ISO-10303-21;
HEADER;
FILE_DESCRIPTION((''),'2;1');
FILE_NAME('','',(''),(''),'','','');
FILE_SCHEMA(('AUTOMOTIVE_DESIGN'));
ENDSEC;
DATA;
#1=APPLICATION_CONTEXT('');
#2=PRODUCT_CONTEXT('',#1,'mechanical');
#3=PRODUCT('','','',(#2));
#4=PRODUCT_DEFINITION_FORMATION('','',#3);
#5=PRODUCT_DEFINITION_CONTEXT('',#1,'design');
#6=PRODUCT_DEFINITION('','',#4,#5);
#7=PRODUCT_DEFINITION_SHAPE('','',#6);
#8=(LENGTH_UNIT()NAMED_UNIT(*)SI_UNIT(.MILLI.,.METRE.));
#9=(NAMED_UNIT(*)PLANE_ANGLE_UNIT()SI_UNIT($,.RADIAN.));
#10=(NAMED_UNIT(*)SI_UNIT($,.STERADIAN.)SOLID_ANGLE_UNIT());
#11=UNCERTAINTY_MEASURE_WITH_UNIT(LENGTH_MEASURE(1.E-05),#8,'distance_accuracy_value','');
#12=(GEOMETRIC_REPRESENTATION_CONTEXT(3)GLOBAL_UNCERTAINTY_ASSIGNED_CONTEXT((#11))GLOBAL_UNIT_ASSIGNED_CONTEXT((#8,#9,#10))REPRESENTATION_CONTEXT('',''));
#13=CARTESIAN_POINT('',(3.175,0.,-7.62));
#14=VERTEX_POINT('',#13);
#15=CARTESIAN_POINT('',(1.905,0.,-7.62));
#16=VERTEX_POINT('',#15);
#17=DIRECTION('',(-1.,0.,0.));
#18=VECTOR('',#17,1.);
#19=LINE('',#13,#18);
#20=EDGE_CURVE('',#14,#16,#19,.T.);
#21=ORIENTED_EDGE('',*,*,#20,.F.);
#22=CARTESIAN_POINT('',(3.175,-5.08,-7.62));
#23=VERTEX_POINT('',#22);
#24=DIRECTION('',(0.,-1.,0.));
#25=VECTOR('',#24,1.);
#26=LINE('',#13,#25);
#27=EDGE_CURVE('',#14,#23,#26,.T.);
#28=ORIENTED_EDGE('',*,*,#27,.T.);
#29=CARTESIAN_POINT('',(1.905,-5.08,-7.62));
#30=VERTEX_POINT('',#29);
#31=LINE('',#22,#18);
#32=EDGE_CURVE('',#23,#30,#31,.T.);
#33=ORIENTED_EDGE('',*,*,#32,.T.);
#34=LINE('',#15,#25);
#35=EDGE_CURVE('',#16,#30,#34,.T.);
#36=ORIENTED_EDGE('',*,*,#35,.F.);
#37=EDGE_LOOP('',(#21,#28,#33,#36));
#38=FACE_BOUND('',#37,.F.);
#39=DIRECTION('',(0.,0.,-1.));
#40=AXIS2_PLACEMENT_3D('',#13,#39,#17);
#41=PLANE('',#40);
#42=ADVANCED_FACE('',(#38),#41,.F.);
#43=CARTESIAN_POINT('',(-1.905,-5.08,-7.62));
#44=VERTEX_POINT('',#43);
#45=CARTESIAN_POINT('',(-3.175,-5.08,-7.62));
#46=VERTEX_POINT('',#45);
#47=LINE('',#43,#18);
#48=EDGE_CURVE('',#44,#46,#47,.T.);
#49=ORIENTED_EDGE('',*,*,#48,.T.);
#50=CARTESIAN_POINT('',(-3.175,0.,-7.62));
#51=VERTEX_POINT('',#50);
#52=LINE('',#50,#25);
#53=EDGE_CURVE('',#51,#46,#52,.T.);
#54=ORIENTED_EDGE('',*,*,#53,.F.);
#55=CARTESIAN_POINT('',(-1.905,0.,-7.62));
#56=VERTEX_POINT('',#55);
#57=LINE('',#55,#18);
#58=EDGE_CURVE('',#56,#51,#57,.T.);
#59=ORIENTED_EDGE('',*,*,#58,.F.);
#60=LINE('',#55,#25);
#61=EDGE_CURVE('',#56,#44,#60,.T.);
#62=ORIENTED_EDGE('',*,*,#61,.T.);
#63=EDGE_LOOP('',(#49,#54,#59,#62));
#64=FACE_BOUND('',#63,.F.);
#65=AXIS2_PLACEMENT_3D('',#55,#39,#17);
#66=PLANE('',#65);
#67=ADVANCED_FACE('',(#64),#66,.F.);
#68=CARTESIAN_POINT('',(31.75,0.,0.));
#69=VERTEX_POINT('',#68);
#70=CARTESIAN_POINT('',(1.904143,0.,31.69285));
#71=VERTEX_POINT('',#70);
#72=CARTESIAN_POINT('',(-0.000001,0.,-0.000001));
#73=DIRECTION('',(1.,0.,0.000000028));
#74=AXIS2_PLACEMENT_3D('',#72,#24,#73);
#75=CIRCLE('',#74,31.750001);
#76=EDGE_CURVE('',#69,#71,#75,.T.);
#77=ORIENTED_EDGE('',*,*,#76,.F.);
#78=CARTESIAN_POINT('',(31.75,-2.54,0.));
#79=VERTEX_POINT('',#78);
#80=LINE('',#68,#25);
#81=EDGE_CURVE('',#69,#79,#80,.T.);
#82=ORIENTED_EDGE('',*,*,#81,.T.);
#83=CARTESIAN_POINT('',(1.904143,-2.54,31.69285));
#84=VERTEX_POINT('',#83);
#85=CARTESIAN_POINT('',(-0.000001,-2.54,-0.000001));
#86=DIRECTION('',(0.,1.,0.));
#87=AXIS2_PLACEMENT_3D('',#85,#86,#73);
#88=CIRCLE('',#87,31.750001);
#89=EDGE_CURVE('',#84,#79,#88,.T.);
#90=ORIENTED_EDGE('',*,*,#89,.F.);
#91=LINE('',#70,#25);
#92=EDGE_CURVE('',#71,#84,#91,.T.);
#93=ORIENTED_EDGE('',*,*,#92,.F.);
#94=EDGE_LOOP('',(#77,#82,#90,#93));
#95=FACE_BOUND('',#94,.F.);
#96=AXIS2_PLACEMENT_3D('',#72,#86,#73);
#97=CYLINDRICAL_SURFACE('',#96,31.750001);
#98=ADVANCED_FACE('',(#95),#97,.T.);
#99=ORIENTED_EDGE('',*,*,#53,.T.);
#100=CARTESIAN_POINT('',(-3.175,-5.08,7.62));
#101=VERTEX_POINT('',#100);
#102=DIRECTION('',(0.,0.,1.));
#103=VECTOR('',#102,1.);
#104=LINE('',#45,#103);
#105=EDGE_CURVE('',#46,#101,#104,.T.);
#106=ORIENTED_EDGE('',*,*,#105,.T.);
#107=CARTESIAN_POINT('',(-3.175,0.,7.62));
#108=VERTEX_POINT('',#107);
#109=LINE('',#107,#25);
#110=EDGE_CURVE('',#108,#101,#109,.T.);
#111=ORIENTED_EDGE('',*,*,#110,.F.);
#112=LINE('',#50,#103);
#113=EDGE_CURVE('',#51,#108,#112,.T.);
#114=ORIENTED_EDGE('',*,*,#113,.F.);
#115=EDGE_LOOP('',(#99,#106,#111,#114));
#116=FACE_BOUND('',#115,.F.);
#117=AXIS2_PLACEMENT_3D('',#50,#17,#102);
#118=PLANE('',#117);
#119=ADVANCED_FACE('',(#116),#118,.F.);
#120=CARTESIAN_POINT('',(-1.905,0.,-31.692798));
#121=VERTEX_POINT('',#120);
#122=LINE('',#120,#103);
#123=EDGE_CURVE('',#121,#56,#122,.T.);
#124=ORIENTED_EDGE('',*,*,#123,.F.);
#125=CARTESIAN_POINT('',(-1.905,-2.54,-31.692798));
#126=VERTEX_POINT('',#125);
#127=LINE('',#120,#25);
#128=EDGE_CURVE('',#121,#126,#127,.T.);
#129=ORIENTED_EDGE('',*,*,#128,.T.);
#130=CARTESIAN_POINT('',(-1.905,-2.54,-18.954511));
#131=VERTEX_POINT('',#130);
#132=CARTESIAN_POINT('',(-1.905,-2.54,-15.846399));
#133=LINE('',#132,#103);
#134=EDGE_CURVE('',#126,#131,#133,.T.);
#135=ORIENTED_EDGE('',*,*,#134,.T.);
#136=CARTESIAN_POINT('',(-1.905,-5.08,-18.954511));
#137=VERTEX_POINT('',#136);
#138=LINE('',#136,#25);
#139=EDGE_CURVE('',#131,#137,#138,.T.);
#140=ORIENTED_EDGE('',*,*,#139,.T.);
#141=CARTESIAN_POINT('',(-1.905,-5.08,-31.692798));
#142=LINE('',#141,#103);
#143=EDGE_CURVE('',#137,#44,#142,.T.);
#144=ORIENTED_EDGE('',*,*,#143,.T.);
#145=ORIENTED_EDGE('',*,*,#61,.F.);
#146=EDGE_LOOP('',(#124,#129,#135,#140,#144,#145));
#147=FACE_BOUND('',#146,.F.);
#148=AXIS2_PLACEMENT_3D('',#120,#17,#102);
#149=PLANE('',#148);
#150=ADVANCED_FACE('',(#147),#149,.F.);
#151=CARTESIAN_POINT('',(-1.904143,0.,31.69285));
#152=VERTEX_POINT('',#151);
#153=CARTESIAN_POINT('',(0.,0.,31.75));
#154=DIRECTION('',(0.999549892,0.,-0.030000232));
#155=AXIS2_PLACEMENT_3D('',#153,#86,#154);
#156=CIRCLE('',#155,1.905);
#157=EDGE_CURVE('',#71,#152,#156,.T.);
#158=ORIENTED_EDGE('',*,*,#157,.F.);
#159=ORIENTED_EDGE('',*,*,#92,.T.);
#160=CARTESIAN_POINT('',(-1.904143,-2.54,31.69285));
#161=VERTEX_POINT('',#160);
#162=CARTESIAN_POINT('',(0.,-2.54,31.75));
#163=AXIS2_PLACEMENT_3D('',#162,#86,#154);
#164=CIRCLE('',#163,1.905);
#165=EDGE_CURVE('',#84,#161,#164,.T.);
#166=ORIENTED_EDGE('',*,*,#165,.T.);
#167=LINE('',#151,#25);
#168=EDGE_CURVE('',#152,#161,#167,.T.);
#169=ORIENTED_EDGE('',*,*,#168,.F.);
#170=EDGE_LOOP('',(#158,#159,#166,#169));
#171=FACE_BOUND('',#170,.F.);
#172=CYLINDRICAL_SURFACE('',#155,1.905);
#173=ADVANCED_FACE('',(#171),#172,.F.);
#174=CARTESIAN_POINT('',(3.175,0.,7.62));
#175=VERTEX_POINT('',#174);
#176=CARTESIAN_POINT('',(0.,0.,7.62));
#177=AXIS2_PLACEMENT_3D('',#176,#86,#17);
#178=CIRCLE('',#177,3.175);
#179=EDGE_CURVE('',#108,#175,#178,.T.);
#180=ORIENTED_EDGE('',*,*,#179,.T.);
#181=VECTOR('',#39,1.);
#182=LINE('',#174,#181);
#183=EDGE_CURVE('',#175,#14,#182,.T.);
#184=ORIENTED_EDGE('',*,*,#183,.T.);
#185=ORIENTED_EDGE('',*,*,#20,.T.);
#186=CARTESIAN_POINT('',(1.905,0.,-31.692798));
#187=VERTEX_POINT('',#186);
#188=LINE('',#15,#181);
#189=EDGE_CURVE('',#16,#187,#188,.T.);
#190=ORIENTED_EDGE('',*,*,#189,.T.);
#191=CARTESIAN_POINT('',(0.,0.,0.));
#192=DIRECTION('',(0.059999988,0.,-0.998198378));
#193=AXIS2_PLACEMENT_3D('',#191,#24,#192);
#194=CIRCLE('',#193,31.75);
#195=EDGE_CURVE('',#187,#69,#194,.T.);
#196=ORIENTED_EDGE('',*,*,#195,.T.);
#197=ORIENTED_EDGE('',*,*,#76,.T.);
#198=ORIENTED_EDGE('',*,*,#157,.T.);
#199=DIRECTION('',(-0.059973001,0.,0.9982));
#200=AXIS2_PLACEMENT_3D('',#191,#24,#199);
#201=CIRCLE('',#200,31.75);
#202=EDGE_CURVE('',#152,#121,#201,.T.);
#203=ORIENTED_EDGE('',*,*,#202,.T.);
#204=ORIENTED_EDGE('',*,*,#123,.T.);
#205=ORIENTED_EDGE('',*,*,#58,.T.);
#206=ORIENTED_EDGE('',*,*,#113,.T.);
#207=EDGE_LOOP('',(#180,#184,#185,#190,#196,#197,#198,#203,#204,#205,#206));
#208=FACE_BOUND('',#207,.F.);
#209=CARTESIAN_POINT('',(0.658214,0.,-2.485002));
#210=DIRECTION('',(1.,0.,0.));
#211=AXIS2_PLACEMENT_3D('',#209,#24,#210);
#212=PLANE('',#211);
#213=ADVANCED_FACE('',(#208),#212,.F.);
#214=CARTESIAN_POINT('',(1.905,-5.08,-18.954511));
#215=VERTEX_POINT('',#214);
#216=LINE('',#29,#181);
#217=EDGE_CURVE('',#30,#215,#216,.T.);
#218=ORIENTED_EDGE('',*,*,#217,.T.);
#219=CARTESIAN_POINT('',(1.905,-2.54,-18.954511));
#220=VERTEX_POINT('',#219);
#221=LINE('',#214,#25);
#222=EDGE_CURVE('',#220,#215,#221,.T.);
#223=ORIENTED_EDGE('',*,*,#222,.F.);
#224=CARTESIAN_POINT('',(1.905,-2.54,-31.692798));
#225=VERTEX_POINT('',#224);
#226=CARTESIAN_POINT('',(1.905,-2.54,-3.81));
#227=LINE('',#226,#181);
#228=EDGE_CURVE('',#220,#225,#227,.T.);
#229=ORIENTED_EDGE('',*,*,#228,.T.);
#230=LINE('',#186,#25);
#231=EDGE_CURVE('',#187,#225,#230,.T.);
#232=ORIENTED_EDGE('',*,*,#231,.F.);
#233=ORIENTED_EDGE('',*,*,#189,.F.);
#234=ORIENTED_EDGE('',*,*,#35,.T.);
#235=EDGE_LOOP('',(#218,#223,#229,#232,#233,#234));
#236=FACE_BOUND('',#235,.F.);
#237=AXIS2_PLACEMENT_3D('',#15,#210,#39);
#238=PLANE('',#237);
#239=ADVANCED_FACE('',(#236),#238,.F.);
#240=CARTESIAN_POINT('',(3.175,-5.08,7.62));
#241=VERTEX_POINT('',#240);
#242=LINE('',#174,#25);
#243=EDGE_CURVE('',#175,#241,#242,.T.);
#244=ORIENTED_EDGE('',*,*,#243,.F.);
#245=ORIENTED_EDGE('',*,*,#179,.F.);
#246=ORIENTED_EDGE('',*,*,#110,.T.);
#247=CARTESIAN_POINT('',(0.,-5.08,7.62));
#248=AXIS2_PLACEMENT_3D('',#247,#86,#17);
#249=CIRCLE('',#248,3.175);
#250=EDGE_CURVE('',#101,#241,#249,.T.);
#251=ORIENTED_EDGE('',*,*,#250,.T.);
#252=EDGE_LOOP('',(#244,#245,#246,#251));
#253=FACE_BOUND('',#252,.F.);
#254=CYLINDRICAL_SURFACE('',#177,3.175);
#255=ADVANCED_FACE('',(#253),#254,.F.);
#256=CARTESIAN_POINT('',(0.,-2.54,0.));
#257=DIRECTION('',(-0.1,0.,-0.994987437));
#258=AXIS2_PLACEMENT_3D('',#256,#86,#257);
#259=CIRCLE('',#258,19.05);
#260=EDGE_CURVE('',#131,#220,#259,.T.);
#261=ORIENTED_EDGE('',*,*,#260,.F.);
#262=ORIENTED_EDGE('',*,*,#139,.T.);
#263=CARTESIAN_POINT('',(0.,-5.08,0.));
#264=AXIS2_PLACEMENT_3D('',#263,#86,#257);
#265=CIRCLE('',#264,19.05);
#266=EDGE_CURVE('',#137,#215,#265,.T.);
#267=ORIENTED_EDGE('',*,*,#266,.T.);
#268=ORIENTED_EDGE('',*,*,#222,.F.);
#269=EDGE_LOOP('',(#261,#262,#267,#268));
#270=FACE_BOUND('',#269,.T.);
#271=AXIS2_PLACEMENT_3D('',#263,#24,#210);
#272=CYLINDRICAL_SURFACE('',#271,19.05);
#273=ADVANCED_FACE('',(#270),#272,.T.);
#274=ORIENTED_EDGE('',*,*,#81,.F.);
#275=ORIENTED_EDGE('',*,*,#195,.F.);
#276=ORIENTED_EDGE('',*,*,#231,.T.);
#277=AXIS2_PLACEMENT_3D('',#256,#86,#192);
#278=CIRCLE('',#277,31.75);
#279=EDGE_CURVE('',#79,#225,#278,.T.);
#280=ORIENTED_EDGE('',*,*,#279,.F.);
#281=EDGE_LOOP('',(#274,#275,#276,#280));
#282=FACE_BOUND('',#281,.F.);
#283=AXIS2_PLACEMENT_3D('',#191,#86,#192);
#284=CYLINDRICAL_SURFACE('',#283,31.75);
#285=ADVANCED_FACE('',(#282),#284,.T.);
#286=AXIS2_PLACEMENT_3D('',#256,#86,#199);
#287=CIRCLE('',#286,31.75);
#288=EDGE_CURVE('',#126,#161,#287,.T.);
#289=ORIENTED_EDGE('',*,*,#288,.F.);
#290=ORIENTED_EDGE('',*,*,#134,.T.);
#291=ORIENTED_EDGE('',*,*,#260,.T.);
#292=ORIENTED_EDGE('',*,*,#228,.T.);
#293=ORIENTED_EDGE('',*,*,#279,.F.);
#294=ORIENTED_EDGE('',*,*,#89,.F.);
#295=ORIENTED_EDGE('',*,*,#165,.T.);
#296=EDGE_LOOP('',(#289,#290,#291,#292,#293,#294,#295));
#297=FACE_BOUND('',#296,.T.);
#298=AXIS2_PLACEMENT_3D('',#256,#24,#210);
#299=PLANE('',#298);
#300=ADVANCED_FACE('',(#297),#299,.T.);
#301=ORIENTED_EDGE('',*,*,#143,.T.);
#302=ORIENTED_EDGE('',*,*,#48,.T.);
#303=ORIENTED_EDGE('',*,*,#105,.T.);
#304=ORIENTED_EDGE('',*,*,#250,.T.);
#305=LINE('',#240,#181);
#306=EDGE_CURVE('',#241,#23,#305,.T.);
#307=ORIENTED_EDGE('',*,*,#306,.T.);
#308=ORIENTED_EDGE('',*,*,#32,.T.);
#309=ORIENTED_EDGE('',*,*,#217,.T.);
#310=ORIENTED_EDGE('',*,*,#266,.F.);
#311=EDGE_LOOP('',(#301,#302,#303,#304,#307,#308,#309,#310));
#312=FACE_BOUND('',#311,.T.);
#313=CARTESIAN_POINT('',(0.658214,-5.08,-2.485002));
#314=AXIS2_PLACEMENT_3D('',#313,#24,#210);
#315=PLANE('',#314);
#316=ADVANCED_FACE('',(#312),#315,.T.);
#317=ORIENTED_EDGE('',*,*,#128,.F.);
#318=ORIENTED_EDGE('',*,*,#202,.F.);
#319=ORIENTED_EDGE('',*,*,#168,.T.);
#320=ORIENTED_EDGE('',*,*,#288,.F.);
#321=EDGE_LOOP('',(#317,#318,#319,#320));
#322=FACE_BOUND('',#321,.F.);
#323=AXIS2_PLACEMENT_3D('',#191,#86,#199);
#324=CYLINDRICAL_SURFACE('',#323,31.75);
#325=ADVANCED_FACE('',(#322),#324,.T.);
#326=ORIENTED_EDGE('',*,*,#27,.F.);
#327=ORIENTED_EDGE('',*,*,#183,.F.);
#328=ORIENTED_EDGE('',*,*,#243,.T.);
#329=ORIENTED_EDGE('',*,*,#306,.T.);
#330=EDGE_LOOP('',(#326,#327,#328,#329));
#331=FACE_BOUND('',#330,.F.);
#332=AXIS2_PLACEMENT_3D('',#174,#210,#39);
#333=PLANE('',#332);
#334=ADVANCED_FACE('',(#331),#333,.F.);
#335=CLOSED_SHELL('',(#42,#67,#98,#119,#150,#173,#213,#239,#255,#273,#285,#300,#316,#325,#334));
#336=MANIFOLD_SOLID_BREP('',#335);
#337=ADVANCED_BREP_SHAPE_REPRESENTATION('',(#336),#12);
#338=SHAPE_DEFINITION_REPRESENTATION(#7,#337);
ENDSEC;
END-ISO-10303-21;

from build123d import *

# Parameters (mm, degrees)
F1_DEPTH = 5.08
F2_R     = 76.2
F2_R_2   = 19.05
F3_DEPTH = 2.54


with BuildPart() as f1:
    # F0 (on Front) → F1 (new body)
    with BuildSketch(Plane.XZ):
        with BuildLine():
            ThreePointArc((1.905, -31.692798), (23.114349, -21.766703), (31.75, 0))
            ThreePointArc((31.75, 0), (23.114054, 21.767016), (1.904143, 31.69285))
            ThreePointArc((1.904143, 31.69285), (0, 29.845), (-1.904143, 31.69285))
            ThreePointArc((-1.904143, 31.69285), (-31.75, 0.000429), (-1.905, -31.692798))
            Line((-1.905, -31.692798), (-1.905, -7.62))
            Line((-1.905, -7.62), (-3.175, -7.62))
            Line((-3.175, -7.62), (-3.175, 7.62))
            ThreePointArc((-3.175, 7.62), (0, 10.795), (3.175, 7.62))
            Line((3.175, 7.62), (3.175, -7.62))
            Line((3.175, -7.62), (1.905, -7.62))
            Line((1.905, -7.62), (1.905, -31.692798))
        make_face()
    extrude(amount=F1_DEPTH)

    # F2 (on face) → F3 (cut)
    with BuildSketch(Plane.XZ.offset(5.08)):
        Circle(F2_R)
        Circle(F2_R_2, mode=Mode.SUBTRACT)
    extrude(amount=-F3_DEPTH, mode=Mode.SUBTRACT)


solid = f1.part
